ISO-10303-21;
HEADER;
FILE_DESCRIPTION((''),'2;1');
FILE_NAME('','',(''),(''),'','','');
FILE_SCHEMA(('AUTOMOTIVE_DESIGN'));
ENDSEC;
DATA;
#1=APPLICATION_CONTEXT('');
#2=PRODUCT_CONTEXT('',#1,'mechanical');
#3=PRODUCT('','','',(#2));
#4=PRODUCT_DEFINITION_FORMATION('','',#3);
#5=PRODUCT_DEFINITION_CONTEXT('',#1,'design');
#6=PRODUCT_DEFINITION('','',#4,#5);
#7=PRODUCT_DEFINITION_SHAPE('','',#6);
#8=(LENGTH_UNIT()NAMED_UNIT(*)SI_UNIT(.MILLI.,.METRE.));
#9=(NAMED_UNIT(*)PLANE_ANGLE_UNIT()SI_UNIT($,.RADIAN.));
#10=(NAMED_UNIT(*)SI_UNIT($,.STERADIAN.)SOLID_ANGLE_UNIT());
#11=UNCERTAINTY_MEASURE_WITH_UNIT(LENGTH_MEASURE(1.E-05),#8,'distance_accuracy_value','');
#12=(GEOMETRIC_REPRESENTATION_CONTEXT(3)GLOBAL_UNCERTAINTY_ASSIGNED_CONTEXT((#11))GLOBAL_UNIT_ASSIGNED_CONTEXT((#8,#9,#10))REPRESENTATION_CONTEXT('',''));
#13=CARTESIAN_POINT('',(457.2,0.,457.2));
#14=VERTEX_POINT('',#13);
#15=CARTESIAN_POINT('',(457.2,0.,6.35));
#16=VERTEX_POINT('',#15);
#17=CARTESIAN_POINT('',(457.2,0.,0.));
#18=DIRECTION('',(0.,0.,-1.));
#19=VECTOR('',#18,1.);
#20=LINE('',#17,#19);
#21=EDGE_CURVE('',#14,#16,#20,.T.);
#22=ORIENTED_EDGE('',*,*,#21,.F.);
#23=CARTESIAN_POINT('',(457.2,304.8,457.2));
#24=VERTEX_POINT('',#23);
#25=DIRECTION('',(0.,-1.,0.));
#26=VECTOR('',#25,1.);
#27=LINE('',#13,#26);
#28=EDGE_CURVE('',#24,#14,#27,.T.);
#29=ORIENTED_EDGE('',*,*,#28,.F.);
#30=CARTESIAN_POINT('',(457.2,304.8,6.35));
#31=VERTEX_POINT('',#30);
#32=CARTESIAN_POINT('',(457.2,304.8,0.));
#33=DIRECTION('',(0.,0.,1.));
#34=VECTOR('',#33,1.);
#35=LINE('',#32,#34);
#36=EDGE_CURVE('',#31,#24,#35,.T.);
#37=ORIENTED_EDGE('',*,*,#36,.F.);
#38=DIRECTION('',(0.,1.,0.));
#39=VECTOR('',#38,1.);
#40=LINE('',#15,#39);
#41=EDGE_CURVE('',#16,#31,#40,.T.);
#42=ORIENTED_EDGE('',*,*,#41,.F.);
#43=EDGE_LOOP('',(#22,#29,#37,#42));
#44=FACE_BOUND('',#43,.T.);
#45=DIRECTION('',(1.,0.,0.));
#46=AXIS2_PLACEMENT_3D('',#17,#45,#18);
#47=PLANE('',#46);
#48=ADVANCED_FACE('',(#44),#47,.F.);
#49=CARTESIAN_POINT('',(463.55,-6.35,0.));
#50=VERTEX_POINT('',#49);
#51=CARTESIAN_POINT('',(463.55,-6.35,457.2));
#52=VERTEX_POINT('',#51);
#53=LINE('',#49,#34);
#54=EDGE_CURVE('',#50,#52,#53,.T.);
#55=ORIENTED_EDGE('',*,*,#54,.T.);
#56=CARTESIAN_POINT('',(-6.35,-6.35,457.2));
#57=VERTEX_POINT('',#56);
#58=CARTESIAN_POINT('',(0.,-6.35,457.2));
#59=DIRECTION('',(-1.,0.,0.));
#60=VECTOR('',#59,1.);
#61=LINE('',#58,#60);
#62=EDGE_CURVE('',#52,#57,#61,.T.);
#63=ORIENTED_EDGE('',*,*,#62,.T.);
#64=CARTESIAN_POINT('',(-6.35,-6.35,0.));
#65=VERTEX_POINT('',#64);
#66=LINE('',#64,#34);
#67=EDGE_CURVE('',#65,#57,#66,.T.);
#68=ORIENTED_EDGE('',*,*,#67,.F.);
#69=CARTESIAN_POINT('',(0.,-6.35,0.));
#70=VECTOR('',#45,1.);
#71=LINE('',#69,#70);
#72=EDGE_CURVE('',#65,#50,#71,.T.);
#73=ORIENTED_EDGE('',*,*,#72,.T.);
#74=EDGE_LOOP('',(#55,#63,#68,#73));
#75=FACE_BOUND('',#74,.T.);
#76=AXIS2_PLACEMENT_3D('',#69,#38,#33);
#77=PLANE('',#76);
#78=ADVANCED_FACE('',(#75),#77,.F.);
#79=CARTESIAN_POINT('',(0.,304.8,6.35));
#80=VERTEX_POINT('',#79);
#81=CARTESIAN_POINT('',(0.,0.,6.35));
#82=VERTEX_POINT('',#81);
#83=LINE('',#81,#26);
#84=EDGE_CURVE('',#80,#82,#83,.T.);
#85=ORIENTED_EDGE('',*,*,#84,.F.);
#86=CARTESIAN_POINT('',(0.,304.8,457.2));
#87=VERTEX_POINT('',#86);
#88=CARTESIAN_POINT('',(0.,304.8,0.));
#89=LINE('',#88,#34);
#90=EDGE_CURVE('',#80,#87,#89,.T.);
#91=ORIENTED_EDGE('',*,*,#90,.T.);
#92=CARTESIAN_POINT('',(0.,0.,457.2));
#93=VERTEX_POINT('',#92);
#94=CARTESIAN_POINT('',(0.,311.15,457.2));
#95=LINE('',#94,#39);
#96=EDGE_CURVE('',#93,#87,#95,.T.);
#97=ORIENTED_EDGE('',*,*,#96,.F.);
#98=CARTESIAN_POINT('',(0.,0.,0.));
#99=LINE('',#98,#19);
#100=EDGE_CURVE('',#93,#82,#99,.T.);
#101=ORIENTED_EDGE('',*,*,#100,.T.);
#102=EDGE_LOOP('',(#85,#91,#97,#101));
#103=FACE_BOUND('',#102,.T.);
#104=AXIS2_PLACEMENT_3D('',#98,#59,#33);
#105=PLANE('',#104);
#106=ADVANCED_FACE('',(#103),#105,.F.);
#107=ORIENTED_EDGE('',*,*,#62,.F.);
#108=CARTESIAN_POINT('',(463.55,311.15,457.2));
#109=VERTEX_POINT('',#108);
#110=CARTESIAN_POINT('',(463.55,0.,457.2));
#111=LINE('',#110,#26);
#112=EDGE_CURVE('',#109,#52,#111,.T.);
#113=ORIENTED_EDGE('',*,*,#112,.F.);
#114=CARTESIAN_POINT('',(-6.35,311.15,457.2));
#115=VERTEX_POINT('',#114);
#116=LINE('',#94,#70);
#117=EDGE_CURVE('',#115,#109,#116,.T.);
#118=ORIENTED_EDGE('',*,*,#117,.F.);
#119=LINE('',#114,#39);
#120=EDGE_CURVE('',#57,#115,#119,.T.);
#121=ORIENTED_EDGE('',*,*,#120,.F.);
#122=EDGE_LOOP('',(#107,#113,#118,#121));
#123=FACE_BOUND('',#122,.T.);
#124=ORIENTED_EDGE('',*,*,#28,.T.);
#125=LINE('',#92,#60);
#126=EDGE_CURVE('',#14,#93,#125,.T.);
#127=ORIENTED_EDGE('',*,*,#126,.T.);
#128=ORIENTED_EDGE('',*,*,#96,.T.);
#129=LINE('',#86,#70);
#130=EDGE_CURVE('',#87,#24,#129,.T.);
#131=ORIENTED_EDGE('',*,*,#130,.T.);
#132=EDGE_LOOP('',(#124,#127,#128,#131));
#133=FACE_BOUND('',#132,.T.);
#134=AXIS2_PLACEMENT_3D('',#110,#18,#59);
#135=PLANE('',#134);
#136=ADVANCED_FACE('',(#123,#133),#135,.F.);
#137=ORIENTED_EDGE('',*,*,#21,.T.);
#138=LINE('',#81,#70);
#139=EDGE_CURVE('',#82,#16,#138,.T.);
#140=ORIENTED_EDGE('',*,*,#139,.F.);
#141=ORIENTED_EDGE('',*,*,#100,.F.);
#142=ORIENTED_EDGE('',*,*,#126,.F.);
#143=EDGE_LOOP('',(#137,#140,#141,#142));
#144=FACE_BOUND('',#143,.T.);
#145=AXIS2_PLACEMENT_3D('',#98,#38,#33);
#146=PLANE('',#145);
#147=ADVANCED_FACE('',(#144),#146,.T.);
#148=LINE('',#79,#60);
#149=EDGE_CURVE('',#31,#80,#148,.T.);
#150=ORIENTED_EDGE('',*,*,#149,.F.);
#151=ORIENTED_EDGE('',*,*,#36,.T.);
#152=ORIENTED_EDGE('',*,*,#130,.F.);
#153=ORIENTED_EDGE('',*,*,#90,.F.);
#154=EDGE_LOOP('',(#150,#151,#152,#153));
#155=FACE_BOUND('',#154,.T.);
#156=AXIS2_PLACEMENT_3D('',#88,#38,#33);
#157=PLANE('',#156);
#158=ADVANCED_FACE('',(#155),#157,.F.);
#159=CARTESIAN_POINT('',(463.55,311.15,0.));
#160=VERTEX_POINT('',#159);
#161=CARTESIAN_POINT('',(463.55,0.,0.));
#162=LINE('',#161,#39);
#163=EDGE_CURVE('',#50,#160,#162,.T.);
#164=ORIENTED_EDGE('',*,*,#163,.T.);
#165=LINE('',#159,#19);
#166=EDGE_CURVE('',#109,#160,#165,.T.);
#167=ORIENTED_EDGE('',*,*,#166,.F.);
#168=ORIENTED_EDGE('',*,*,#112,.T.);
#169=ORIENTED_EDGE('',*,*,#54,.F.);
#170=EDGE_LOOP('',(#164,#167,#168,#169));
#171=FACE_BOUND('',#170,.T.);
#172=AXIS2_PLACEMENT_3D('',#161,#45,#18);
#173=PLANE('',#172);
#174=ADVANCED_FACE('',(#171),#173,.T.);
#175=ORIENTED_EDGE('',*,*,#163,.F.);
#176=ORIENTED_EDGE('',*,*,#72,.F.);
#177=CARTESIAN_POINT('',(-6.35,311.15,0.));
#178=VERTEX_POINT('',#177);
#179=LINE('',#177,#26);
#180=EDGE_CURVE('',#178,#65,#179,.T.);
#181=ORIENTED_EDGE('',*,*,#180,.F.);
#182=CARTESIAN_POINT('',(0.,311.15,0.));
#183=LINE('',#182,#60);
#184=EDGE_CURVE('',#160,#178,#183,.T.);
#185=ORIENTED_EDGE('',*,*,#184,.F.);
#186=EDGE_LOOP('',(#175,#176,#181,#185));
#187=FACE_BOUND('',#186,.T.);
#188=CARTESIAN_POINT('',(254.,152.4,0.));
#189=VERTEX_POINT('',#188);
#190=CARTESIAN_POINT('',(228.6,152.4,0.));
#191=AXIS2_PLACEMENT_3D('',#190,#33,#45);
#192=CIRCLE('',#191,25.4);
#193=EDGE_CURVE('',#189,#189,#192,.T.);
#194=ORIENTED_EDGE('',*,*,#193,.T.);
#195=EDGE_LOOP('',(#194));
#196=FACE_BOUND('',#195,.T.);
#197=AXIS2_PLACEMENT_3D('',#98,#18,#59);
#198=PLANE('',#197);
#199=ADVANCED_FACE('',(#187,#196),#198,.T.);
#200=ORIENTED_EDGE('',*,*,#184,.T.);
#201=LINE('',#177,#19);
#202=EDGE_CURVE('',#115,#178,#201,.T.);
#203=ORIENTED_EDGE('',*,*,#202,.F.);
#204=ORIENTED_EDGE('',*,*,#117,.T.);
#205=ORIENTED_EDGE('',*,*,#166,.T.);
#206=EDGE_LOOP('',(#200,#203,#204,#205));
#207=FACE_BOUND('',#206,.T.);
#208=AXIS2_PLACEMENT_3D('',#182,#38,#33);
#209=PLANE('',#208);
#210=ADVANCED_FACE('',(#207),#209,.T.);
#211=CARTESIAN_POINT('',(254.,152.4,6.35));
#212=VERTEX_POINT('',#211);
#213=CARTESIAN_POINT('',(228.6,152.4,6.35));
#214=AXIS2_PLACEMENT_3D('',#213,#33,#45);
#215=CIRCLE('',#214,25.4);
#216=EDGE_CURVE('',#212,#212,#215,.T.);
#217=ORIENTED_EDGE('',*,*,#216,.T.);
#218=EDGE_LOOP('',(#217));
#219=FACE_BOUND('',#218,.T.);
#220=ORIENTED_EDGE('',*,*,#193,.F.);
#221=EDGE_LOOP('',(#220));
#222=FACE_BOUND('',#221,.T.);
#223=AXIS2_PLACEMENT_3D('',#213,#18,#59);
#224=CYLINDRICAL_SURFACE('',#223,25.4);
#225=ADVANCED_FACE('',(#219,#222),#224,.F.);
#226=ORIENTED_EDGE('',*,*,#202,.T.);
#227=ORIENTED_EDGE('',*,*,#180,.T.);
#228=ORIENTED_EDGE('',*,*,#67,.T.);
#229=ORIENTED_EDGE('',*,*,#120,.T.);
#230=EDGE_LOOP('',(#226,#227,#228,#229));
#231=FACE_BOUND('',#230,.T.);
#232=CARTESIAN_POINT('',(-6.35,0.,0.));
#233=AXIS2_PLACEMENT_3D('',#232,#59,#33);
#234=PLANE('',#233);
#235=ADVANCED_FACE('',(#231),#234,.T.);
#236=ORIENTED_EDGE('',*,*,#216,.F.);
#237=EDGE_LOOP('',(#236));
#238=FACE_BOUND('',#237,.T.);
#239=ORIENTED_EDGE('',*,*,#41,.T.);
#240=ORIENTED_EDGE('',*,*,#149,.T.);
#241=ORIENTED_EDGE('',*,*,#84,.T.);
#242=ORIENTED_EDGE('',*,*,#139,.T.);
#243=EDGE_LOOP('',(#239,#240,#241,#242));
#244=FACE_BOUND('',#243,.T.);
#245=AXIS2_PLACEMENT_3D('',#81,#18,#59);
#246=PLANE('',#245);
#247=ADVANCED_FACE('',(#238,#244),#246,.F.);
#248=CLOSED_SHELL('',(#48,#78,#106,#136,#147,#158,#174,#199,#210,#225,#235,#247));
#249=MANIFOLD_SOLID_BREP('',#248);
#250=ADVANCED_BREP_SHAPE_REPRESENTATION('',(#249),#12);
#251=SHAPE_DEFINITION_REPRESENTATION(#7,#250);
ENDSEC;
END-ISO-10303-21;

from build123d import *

# Parameters (mm, degrees)
SKETCH1_W           = 457.2
SKETCH1_H           = 304.8
SKETCH1_R           = 25.4
CHAMBER_BASE_DEPTH  = 6.35
SKETCH2_W           = 457.2
SKETCH2_H           = 304.8
BACK_WALL_DEPTH     = 6.35
SKETCH3_W           = 463.55
SKETCH3_H           = 457.2
SIDE_WALL_2_DEPTH   = 6.35
SKETCH5_W           = 463.55
SKETCH5_H           = 457.2
SIDE_WALL_3_DEPTH   = 6.35
SKETCH6_W           = 457.2
SKETCH6_H           = 317.5
BOSS_EXTRUDE1_DEPTH = 6.35


with BuildPart() as part:
    # Sketch1 → Chamber Base (new body)
    with BuildSketch(Plane.XY):
        with Locations((228.6, 152.4)):
            Rectangle(SKETCH1_W, SKETCH1_H)
        with Locations((228.6, 152.4)):
            Circle(SKETCH1_R, mode=Mode.SUBTRACT)
    extrude(amount=CHAMBER_BASE_DEPTH)

    # Sketch2 → Back wall (add)
    with BuildSketch(Plane(origin=(457.2, 0, 0), x_dir=(0, 0, -1), z_dir=(1, 0, 0))):
        with Locations((-228.6, 152.4)):
            Rectangle(SKETCH2_W, SKETCH2_H)
    extrude(amount=BACK_WALL_DEPTH)

    # Sketch3 → Side wall 2 (add)
    with BuildSketch(Plane(origin=(0, 304.8, 0), x_dir=(1, 0, 0), z_dir=(0, 1, 0))):
        with Locations((231.775, -228.6)):
            Rectangle(SKETCH3_W, SKETCH3_H)
    extrude(amount=SIDE_WALL_2_DEPTH)

    # Sketch5 → Side wall 3 (add)
    with BuildSketch(Plane.XZ):
        with Locations((231.775, 228.6)):
            Rectangle(SKETCH5_W, SKETCH5_H)
    extrude(amount=SIDE_WALL_3_DEPTH)

    # Sketch6 → Boss-Extrude1 (add)
    with BuildSketch(Plane.ZY):
        with Locations((228.6, 152.4)):
            Rectangle(SKETCH6_W, SKETCH6_H)
    extrude(amount=BOSS_EXTRUDE1_DEPTH)


solid = part.part
